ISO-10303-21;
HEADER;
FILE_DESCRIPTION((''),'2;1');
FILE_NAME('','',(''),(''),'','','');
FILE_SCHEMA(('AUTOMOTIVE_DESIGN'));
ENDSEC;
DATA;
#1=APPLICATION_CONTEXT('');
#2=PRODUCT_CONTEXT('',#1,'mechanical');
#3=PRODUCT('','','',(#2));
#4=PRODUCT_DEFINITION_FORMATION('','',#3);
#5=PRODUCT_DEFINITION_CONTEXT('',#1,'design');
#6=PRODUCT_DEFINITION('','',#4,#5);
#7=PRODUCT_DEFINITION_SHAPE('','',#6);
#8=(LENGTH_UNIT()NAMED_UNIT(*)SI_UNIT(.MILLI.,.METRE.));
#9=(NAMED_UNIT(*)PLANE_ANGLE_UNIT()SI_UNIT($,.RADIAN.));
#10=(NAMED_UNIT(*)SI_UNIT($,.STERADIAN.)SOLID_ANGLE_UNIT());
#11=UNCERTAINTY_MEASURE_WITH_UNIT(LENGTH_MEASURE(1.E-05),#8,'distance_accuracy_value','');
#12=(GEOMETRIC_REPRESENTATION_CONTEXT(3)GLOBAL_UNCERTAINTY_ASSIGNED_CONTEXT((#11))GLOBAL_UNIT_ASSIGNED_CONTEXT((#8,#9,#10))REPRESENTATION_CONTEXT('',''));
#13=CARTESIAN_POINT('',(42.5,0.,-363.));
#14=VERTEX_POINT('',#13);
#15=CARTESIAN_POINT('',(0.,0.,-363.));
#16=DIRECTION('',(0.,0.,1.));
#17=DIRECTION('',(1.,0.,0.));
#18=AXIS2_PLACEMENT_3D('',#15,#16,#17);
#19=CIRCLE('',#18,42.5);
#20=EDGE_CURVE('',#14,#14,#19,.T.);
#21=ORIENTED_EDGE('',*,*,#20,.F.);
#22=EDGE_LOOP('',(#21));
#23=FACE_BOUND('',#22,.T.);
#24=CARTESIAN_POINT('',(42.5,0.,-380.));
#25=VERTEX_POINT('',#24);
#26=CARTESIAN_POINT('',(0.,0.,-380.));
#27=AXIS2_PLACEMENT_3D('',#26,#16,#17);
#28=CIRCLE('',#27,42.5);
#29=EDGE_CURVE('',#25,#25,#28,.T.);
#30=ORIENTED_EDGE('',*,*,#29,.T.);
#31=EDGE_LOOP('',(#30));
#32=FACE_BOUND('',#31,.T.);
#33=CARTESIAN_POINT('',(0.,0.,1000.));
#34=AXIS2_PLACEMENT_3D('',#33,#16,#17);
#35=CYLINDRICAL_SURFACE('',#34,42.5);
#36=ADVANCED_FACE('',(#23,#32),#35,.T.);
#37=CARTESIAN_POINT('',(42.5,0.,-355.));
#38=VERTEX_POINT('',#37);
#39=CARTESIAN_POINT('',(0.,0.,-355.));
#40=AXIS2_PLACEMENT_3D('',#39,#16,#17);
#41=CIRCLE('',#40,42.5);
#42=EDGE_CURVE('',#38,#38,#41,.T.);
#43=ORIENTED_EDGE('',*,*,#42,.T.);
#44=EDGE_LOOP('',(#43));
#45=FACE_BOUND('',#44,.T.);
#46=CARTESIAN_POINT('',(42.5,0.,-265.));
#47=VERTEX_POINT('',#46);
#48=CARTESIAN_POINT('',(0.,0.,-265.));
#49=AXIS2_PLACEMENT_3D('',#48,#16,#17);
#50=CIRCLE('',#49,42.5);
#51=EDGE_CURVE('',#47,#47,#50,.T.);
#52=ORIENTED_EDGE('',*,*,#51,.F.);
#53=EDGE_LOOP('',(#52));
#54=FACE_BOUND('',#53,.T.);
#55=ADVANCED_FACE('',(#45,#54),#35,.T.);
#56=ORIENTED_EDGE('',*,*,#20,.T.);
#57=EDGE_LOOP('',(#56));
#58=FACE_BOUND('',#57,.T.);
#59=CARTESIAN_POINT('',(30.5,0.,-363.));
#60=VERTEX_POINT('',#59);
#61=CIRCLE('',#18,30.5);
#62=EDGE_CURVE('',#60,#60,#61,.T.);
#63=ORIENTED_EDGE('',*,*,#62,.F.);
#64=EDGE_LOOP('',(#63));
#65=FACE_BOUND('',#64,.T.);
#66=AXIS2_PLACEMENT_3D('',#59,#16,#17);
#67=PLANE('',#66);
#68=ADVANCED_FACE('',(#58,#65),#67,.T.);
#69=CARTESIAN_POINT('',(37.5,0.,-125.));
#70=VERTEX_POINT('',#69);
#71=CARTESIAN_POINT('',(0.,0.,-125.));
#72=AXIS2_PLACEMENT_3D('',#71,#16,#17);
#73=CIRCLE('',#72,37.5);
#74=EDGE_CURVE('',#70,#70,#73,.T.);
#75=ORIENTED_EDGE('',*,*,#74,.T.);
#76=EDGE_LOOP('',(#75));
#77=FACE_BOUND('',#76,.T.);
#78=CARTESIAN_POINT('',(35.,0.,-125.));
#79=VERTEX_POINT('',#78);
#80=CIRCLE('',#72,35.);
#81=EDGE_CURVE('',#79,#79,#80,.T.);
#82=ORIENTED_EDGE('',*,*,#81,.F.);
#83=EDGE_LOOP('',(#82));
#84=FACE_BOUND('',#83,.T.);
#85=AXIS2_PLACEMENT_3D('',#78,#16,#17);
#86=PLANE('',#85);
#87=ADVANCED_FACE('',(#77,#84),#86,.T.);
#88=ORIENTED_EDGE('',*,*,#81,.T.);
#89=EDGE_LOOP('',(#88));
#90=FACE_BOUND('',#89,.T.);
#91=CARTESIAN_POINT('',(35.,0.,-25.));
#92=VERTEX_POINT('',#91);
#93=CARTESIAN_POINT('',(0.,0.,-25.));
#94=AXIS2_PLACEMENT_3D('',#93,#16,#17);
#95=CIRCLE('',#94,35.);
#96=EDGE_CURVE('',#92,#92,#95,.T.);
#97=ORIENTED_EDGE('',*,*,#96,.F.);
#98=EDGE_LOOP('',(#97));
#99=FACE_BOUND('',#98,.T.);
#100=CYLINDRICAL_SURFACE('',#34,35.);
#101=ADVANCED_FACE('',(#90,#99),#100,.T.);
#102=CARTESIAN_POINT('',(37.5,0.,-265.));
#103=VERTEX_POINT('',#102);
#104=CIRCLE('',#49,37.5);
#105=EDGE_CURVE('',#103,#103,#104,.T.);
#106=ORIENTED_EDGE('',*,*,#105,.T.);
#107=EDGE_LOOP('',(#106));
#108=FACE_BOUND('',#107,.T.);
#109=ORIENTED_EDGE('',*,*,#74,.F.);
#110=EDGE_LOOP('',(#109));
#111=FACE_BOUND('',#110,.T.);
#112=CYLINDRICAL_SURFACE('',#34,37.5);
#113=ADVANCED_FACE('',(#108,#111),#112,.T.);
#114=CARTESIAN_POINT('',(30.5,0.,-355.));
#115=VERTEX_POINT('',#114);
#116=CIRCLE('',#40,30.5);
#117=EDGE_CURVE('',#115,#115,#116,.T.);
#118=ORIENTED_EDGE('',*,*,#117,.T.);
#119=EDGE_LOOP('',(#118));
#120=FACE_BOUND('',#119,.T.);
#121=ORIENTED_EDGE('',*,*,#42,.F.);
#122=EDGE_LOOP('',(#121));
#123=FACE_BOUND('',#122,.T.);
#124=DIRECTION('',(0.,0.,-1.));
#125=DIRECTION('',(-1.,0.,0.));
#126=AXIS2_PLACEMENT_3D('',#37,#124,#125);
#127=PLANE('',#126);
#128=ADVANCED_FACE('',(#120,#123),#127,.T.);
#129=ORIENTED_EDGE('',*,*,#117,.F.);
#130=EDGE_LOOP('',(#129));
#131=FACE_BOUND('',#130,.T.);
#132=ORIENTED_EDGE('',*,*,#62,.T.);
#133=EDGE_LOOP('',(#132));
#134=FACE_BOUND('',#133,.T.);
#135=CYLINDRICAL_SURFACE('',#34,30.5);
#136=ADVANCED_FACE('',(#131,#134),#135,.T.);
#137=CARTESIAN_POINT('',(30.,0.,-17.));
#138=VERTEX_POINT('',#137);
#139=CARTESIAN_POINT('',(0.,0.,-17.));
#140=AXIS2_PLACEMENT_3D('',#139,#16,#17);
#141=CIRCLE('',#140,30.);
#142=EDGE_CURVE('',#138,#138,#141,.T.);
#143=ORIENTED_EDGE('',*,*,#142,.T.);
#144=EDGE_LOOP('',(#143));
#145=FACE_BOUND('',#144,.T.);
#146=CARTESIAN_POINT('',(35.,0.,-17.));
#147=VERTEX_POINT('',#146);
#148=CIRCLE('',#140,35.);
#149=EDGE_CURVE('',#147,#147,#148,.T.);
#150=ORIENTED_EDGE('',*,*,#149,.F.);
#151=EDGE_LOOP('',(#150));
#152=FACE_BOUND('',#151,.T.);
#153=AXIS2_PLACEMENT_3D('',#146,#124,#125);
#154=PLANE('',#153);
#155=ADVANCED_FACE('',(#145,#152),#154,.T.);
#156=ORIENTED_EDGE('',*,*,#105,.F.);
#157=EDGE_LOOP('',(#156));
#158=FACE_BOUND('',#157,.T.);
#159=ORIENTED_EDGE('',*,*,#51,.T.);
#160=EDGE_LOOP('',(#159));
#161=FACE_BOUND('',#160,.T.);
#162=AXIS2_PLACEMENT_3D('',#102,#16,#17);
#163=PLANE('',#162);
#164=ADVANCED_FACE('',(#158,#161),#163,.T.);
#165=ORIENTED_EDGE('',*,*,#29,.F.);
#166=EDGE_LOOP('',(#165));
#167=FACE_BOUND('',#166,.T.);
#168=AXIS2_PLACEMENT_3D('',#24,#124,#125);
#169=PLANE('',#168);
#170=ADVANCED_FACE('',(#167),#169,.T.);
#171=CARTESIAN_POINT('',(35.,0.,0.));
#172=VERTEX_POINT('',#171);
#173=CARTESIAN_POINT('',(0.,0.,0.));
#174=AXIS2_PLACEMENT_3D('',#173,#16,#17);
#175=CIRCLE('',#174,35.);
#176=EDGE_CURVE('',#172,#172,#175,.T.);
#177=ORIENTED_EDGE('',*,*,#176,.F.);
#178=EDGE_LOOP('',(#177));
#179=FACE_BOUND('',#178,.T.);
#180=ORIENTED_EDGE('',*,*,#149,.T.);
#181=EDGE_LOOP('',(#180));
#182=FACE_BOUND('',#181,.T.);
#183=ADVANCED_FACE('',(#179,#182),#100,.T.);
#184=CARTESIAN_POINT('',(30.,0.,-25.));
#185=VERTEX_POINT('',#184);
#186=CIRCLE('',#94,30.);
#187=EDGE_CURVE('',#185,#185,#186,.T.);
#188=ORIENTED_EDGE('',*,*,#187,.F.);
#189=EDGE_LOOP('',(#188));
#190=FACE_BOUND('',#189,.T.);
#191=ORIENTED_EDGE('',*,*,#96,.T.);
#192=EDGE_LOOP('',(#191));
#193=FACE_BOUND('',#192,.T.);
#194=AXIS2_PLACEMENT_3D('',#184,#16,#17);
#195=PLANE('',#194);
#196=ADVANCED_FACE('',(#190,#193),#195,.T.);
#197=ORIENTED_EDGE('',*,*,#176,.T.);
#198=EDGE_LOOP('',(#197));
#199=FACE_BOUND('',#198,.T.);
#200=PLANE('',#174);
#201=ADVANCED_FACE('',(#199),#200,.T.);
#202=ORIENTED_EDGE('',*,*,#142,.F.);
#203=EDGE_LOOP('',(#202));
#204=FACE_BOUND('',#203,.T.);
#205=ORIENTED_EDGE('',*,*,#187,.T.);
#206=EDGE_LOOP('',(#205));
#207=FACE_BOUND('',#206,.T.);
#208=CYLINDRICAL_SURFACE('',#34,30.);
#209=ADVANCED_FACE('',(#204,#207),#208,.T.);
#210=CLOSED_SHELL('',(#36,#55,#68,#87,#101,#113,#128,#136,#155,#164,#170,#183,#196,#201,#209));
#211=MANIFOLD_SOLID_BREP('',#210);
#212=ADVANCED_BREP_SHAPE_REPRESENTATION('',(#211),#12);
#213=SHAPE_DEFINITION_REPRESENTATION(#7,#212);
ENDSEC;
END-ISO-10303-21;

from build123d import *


with BuildPart() as part:
    # 草图1 → 旋转1 (revolve)
    with BuildSketch(Plane(origin=(0, 0, 0), x_dir=(1, 0, 0), z_dir=(0, 1, 0))):
        Polygon((0, 0), (35, 0), (35, 17), (30, 17), (30, 25), (35, 25), (35, 125), (37.5, 125), (37.5, 265), (42.5, 265), (42.5, 355), (30.5, 355), (30.5, 363), (42.5, 363), (42.5, 380), (0, 380), align=None)
    revolve(axis=Axis((0, 0, 1000), (0, 0, -1)))


solid = part.part
